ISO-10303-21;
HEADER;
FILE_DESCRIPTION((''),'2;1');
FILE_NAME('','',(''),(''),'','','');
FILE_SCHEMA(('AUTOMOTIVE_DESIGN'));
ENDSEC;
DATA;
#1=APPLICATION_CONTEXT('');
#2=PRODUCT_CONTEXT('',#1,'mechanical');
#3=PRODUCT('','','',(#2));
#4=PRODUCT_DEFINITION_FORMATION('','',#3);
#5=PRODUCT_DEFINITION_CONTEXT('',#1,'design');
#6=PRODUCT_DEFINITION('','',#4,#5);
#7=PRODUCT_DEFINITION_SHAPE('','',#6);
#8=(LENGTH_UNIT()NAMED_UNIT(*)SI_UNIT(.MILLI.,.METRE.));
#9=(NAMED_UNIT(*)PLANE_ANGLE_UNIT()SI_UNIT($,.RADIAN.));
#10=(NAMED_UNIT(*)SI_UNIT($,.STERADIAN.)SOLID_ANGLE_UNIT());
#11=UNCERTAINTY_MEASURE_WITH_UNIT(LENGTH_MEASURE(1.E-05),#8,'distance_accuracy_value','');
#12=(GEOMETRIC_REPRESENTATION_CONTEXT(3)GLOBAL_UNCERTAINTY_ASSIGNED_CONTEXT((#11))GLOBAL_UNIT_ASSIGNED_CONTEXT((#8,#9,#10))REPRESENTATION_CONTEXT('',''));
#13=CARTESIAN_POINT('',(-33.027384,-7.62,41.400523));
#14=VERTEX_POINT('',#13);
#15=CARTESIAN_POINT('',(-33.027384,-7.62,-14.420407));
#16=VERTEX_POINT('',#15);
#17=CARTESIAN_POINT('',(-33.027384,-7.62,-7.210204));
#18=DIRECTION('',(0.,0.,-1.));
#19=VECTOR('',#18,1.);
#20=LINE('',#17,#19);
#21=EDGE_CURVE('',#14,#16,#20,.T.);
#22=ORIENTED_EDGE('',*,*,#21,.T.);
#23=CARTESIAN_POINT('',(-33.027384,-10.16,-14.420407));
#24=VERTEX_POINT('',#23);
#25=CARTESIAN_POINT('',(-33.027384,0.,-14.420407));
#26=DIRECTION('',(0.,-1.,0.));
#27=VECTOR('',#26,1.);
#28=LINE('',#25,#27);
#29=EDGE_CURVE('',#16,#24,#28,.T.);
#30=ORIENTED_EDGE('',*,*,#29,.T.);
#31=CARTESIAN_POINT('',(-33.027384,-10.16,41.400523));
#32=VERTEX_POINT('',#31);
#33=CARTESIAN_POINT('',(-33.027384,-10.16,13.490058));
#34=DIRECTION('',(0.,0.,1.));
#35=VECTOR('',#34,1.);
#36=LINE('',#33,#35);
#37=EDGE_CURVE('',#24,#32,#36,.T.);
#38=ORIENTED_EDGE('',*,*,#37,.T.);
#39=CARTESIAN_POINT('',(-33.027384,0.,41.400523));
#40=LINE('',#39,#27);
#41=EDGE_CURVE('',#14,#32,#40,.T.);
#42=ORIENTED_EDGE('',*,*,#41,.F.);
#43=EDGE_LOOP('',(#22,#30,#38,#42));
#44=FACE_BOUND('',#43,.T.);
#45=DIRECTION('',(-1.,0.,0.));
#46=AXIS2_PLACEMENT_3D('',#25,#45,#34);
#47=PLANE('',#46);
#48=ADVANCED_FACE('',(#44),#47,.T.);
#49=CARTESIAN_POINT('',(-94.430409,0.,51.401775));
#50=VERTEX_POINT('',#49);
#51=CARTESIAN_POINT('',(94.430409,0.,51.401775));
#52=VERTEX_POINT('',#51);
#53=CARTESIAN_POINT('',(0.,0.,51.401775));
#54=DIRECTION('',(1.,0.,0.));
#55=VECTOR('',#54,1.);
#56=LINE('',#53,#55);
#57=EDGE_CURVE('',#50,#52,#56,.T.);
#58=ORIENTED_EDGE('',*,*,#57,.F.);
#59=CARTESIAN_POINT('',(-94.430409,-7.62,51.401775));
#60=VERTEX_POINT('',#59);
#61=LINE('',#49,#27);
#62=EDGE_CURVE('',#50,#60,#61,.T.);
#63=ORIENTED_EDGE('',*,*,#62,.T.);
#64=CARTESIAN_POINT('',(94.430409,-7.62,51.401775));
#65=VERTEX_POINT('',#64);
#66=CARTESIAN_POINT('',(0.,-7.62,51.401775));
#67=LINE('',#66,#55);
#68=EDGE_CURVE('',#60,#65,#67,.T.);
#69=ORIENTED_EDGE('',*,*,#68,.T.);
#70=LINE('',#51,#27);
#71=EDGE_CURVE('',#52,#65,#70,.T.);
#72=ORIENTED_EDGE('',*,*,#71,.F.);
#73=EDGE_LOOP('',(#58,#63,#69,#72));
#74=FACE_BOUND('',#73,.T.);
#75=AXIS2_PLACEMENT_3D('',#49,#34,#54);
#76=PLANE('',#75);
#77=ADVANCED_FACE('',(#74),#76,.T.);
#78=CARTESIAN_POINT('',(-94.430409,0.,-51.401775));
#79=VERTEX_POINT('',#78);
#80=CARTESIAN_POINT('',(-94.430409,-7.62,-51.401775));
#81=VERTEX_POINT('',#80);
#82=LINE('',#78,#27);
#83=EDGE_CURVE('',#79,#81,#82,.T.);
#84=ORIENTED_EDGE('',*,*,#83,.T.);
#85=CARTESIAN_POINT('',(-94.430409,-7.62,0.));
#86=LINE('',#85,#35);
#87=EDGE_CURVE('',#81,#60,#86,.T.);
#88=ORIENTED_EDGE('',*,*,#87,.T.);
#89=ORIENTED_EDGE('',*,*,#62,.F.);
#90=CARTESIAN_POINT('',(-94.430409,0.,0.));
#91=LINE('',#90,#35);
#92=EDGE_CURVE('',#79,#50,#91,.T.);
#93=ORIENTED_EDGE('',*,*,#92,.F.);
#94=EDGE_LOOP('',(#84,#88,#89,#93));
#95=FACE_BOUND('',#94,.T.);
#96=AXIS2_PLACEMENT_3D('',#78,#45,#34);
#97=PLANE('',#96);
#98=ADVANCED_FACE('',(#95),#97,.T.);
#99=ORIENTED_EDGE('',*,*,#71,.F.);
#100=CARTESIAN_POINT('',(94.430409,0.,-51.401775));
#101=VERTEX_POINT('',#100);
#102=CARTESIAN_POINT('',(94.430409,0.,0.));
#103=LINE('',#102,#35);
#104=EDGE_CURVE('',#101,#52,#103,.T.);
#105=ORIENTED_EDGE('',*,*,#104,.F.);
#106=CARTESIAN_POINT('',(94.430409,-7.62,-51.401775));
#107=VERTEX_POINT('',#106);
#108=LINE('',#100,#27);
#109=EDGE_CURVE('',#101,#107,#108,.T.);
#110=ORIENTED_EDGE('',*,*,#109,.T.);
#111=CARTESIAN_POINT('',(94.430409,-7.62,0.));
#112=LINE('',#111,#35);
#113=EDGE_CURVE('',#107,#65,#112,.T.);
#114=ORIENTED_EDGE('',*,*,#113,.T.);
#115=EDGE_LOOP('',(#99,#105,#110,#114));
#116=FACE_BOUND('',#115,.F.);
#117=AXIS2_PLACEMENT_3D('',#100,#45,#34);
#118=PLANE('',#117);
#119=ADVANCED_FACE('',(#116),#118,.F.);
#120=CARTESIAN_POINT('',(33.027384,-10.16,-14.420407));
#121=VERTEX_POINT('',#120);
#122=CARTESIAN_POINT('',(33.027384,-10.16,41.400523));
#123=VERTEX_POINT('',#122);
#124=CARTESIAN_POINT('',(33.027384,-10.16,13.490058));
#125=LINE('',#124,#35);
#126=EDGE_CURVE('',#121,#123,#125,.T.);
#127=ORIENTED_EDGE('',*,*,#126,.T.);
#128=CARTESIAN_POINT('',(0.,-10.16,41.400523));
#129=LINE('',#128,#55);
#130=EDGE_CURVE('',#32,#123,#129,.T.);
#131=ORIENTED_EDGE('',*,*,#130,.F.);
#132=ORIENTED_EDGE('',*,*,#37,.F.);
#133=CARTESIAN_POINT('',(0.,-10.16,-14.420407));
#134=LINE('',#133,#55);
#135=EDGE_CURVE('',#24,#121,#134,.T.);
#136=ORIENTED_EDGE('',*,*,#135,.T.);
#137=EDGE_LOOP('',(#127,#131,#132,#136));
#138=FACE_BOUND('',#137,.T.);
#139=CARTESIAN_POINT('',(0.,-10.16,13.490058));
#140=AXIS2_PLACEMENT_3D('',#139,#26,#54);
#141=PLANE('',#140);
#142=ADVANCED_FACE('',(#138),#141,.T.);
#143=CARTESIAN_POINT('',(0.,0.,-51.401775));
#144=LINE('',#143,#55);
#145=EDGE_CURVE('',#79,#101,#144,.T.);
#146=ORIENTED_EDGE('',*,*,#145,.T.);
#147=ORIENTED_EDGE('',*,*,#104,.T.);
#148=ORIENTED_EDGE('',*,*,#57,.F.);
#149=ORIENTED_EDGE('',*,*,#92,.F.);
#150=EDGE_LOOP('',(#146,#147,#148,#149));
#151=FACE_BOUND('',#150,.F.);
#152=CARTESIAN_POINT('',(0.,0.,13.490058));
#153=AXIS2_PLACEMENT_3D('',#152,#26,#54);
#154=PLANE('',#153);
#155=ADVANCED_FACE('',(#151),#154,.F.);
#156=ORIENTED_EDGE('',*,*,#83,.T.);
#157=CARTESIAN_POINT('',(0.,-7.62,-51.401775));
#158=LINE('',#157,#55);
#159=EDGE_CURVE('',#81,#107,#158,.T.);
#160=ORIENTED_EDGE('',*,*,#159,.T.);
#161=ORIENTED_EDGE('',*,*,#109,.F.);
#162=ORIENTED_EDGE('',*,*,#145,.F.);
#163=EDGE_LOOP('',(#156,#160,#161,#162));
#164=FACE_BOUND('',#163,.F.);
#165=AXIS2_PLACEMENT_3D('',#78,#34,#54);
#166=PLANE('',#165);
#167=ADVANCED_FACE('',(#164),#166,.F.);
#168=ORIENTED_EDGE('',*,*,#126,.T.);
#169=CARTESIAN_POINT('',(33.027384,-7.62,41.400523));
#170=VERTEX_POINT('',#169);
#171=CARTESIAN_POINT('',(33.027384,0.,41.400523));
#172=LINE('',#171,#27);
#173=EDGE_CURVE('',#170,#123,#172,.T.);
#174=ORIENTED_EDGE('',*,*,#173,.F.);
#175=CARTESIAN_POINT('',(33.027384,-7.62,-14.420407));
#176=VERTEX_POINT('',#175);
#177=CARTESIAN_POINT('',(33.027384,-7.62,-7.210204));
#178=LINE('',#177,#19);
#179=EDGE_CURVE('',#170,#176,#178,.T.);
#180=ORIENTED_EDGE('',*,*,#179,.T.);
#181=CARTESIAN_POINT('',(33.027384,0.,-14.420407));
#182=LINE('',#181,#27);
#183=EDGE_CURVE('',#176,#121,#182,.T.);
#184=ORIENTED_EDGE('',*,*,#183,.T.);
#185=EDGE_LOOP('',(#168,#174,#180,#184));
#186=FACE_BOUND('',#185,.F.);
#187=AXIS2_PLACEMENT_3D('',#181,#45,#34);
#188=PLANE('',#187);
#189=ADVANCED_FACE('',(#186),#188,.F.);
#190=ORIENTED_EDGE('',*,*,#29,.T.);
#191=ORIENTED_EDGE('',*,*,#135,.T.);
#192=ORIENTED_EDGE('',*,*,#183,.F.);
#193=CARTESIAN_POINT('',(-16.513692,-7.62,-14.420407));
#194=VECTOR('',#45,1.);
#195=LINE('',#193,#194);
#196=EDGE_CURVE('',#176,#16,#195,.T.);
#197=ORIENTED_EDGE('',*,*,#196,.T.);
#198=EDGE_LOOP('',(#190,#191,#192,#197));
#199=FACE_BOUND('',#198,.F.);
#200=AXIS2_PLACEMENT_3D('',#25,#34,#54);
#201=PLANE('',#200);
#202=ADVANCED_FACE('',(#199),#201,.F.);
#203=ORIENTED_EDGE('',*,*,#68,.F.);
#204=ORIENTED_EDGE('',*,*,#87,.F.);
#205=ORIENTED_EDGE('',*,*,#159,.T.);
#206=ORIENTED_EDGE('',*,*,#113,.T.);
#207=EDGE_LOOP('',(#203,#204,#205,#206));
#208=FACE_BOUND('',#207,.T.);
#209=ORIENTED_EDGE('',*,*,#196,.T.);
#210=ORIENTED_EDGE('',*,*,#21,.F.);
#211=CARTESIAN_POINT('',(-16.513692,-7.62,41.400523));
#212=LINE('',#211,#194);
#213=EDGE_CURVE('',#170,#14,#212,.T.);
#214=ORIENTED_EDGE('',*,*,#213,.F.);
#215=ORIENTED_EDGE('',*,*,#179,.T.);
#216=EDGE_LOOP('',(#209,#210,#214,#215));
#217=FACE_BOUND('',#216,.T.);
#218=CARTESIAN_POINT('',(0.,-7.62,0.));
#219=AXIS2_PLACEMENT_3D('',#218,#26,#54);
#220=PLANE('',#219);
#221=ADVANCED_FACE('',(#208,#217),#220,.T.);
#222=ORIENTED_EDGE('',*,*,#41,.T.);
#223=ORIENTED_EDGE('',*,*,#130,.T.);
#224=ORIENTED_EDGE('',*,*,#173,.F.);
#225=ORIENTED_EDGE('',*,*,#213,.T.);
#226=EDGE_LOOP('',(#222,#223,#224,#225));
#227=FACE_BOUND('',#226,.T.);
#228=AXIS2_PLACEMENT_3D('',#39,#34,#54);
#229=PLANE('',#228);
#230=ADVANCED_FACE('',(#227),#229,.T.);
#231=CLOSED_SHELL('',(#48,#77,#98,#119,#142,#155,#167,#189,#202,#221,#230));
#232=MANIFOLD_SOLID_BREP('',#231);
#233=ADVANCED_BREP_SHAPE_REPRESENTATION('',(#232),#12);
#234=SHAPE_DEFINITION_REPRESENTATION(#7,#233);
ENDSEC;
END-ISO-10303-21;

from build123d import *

# Parameters (mm, degrees)
F0_W     = 188.860818
F0_H     = 102.80355
F1_DEPTH = 7.62
F2_W     = 66.054768
F2_H     = 55.820931
F3_DEPTH = 10.16


with BuildPart() as f1:
    # F0 (on Front) → F1 (new body)
    with BuildSketch(Plane.XZ):
        Rectangle(F0_W, F0_H)
    extrude(amount=F1_DEPTH)

    # F2 (on Front) → F3 (join)
    with BuildSketch(Plane.XZ):
        with Locations((0, 13.490058)):
            Rectangle(F2_W, F2_H)
    extrude(amount=F3_DEPTH)


solid = f1.part
